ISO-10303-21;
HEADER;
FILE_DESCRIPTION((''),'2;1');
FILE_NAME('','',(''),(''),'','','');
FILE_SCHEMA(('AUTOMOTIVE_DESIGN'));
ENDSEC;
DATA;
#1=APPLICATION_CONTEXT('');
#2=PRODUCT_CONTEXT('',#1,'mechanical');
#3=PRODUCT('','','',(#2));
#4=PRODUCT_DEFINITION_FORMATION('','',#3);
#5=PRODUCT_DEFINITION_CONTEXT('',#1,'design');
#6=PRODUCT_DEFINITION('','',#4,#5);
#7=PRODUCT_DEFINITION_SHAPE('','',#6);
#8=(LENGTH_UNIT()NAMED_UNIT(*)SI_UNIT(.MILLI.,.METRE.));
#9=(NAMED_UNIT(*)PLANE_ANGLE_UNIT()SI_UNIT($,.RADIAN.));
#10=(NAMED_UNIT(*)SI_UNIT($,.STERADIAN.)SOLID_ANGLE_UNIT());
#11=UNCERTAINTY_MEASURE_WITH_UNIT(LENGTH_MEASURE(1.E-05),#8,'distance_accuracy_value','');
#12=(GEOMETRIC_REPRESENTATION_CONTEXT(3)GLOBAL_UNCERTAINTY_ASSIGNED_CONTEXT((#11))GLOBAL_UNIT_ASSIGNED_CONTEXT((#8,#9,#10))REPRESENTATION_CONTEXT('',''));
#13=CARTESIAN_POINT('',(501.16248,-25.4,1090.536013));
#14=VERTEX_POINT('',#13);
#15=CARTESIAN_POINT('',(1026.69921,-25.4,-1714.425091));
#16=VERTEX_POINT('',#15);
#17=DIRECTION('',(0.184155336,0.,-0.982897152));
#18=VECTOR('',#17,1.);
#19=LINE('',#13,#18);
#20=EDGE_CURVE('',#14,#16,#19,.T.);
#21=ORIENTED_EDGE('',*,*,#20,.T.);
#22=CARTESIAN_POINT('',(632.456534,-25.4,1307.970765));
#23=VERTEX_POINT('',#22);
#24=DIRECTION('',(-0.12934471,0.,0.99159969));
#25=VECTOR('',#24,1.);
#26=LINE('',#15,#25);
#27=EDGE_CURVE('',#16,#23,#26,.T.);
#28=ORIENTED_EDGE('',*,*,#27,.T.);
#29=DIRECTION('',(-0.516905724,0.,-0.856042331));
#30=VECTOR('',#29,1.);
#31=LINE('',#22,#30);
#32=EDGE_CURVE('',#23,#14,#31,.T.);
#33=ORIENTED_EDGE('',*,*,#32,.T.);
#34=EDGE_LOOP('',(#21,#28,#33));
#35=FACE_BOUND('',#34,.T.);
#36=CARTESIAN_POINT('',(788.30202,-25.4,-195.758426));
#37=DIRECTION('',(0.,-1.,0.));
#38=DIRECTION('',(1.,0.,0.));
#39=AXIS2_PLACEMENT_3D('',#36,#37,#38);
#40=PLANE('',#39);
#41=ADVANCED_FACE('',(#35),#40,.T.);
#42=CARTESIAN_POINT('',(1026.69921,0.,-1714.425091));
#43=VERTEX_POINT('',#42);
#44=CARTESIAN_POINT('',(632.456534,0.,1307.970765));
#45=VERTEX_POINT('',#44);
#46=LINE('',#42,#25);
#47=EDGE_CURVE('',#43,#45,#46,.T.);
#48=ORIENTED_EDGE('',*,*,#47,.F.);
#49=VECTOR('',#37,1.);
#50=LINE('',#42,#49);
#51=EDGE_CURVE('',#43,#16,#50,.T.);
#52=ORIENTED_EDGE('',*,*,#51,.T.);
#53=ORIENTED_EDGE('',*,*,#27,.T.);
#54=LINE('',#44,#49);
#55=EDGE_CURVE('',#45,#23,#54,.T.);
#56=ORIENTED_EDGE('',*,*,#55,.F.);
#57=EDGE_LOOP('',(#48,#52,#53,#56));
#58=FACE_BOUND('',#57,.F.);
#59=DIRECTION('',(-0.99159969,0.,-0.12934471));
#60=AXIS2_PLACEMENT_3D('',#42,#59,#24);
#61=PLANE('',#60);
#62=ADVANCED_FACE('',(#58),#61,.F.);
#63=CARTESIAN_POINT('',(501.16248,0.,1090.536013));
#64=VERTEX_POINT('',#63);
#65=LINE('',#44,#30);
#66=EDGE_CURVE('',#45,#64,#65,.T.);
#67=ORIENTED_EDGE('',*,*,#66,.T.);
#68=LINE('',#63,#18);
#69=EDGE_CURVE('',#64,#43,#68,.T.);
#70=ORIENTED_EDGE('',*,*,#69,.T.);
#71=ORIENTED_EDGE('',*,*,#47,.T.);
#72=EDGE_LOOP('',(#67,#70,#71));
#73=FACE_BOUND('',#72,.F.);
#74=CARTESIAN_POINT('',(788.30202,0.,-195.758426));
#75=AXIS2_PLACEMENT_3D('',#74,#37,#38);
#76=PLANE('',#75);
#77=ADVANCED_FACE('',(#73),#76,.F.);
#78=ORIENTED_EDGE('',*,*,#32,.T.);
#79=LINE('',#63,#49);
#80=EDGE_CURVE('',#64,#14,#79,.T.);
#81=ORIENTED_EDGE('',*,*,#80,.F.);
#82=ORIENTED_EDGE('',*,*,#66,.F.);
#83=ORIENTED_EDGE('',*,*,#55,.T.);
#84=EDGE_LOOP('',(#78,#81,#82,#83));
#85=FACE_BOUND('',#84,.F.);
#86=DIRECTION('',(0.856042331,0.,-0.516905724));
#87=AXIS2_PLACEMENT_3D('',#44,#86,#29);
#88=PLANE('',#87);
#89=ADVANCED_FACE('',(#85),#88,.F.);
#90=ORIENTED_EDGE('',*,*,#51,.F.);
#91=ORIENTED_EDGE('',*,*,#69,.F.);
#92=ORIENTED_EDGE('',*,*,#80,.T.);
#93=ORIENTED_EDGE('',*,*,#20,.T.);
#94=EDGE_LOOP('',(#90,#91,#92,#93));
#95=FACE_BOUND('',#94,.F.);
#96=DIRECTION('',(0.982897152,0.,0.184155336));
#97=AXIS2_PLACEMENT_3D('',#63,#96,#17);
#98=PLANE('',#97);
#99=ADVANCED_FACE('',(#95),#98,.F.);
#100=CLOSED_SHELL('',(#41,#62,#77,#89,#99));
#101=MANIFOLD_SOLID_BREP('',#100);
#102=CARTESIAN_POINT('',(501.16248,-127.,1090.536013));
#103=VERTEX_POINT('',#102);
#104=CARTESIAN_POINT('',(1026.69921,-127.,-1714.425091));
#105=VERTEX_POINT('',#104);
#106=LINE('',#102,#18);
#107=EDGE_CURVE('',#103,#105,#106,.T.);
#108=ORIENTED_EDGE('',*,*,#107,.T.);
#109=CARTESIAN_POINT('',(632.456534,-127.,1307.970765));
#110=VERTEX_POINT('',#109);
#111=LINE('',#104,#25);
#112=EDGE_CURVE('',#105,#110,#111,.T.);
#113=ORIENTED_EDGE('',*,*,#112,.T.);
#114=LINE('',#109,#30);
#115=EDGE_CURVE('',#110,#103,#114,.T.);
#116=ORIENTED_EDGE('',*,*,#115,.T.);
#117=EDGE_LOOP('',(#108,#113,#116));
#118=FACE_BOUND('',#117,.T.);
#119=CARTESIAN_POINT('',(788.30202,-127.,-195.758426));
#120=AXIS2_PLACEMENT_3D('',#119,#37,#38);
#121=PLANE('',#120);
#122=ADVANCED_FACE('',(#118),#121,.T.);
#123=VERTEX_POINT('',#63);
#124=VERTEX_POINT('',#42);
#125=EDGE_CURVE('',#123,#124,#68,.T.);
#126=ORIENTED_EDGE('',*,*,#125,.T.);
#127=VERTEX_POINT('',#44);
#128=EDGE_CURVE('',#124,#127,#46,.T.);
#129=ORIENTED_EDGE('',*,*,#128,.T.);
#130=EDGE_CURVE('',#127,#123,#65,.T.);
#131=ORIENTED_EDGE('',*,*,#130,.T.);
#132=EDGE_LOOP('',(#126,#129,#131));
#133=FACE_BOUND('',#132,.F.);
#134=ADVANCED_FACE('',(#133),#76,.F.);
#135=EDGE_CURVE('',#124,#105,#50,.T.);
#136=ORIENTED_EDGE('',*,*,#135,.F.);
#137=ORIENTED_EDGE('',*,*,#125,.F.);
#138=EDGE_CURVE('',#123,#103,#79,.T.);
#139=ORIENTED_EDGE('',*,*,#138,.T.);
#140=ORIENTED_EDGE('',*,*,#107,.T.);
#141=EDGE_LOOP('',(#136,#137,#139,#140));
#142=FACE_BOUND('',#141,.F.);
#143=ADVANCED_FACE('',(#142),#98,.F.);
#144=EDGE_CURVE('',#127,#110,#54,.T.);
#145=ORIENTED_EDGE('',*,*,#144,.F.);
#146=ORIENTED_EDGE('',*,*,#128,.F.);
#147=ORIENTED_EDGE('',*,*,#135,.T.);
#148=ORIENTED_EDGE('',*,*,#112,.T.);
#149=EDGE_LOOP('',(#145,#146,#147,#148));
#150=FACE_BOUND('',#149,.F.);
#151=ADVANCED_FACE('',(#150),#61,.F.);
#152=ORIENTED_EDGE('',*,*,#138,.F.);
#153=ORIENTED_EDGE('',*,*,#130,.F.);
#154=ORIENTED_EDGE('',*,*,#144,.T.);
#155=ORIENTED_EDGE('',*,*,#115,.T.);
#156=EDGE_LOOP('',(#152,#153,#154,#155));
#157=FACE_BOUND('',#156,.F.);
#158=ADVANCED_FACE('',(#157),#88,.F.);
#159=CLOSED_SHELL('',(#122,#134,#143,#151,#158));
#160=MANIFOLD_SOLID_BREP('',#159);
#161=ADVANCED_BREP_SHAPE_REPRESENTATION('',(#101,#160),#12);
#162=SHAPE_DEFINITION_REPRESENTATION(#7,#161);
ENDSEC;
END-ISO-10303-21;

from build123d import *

# Parameters (mm, degrees)
F1_DEPTH = 127
F2_DEPTH = 25.4


with BuildPart() as f1:
    # F0 (on Front) → F1 (new body)
    with BuildSketch(Plane.XZ):
        Polygon((1026.69921, -1714.425091), (632.456534, 1307.970765), (501.16248, 1090.536013), align=None)
    extrude(amount=F1_DEPTH)


with BuildPart() as f2:
    # F0 (on Front) → F2 (new body)
    with BuildSketch(Plane.XZ):
        Polygon((1026.69921, -1714.425091), (632.456534, 1307.970765), (501.16248, 1090.536013), align=None)
    extrude(amount=F2_DEPTH)


solid = Compound([f1.part, f2.part])
